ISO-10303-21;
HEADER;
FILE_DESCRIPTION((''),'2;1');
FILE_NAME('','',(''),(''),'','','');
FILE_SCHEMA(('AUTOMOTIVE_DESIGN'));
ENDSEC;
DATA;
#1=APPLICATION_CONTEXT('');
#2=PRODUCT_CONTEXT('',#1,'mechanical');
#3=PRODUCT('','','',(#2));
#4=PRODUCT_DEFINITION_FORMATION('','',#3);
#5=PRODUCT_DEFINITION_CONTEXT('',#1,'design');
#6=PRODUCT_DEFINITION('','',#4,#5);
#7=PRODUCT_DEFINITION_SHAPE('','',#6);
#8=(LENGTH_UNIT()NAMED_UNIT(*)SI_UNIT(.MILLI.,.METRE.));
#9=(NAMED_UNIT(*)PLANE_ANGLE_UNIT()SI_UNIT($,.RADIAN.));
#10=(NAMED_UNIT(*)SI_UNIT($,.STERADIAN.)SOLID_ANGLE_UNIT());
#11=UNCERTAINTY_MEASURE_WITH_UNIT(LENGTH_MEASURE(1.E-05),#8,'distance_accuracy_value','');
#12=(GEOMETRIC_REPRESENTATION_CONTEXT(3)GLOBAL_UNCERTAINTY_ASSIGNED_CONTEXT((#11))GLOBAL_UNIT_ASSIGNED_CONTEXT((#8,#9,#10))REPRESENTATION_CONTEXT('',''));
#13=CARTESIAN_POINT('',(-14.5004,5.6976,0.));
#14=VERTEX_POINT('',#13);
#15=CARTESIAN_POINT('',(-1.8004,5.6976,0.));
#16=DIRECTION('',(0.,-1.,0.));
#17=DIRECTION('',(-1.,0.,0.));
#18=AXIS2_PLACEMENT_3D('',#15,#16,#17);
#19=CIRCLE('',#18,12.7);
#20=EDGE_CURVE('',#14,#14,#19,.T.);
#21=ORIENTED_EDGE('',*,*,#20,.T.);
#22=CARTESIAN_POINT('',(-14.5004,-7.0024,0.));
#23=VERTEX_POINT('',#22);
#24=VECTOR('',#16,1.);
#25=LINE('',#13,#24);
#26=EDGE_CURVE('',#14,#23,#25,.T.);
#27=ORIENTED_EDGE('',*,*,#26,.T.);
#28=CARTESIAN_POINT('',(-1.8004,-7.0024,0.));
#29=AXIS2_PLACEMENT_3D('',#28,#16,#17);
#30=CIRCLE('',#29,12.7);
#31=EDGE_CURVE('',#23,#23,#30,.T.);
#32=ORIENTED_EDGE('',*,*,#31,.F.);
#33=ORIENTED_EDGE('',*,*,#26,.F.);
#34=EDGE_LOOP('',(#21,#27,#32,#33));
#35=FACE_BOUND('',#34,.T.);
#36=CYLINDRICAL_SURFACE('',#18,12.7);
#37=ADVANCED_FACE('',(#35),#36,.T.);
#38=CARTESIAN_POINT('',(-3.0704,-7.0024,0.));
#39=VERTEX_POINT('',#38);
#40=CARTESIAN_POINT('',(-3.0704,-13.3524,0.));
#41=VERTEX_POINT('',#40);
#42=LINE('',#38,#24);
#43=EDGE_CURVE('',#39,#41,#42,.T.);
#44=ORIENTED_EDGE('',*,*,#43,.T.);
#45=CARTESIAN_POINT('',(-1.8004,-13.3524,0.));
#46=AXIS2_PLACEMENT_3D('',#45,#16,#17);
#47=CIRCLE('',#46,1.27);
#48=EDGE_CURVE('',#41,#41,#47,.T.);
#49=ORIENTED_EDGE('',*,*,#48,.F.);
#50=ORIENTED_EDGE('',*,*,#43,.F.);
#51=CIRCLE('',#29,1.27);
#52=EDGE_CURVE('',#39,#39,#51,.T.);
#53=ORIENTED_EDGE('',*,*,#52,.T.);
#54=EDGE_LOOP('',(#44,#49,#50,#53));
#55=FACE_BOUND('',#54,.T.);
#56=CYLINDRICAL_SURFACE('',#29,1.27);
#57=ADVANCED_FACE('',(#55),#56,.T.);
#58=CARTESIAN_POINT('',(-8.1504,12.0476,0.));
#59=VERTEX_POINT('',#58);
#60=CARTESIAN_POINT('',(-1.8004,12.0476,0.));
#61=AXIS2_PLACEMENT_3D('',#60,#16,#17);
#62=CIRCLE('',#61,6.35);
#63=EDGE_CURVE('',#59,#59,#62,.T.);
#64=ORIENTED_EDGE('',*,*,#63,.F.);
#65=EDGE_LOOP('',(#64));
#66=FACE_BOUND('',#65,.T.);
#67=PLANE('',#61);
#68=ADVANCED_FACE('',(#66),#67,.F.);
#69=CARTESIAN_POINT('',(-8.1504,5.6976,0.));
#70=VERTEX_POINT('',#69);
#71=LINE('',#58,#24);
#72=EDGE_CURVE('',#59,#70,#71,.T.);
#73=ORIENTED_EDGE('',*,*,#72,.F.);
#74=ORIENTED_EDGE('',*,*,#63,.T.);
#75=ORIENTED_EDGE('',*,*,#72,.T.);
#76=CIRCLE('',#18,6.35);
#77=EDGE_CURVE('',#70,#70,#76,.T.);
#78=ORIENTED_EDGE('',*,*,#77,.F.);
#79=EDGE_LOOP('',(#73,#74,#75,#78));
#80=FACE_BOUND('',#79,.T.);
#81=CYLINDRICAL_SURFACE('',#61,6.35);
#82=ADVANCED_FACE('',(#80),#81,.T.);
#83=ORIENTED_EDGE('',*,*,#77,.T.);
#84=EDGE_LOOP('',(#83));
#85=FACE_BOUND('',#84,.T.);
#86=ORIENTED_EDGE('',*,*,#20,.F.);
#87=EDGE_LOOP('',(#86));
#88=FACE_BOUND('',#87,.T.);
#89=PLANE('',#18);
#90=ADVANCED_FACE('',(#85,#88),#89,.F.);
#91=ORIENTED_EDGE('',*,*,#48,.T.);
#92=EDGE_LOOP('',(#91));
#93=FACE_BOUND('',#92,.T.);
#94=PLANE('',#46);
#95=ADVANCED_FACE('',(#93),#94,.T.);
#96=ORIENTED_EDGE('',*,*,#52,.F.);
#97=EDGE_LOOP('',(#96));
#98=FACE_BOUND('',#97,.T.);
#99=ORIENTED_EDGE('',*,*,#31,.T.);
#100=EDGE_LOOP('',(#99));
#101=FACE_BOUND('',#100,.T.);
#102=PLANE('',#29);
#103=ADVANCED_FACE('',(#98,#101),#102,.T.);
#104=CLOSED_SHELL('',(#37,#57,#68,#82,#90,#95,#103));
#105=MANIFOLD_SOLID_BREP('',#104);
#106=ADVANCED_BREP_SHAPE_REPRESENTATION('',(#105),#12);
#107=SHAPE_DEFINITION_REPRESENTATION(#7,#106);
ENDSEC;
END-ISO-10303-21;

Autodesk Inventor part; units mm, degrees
ref_plane "YZ Plane" through (0, 0, 0) normal (1, 0, 0) x (0, 1, 0)
ref_plane "XZ Plane" through (0, 0, 0) normal (0, 1, 0) x (-1, 0, 0)
ref_plane "XY Plane" through (0, 0, 0) normal (0, 0, 1) x (1, 0, 0)
sketch "Sketch1" plane through (0, 0, 0) normal (0, 0, 1) x (1, 0, 0)
  line L0 (-8.1504, 12.0476) -> (-8.1504, 5.6976)
  line L1 (-8.1504, 5.6976) -> (-14.5004, 5.6976)
  line L2 (-14.5004, 5.6976) -> (-14.5004, -7.0024)
  line L3 (-14.5004, -7.0024) -> (-3.0704, -7.0024)
  line L4 (-3.0704, -7.0024) -> (-3.0704, -13.3524)
  line L5 (-3.0704, -13.3524) -> (-1.8004, -13.3524)
  line L6 (-1.8004, 12.0476) -> (-8.1504, 12.0476)
  line L7 (-1.8004, 12.0476) -> (-1.8004, -13.3524)
  dimension "d0" = 12.7
  dimension "d1" = 6.35
  dimension "d3" = 1.27
  dimension "d8" = 12.7
  dimension "d9" = 6.35
revolve "Revolution1" add sketch "Sketch1" angle 360 about axis through (-1.8004, 12.0476, 0) along (0, -1, 0)
properties part number "roll2"
